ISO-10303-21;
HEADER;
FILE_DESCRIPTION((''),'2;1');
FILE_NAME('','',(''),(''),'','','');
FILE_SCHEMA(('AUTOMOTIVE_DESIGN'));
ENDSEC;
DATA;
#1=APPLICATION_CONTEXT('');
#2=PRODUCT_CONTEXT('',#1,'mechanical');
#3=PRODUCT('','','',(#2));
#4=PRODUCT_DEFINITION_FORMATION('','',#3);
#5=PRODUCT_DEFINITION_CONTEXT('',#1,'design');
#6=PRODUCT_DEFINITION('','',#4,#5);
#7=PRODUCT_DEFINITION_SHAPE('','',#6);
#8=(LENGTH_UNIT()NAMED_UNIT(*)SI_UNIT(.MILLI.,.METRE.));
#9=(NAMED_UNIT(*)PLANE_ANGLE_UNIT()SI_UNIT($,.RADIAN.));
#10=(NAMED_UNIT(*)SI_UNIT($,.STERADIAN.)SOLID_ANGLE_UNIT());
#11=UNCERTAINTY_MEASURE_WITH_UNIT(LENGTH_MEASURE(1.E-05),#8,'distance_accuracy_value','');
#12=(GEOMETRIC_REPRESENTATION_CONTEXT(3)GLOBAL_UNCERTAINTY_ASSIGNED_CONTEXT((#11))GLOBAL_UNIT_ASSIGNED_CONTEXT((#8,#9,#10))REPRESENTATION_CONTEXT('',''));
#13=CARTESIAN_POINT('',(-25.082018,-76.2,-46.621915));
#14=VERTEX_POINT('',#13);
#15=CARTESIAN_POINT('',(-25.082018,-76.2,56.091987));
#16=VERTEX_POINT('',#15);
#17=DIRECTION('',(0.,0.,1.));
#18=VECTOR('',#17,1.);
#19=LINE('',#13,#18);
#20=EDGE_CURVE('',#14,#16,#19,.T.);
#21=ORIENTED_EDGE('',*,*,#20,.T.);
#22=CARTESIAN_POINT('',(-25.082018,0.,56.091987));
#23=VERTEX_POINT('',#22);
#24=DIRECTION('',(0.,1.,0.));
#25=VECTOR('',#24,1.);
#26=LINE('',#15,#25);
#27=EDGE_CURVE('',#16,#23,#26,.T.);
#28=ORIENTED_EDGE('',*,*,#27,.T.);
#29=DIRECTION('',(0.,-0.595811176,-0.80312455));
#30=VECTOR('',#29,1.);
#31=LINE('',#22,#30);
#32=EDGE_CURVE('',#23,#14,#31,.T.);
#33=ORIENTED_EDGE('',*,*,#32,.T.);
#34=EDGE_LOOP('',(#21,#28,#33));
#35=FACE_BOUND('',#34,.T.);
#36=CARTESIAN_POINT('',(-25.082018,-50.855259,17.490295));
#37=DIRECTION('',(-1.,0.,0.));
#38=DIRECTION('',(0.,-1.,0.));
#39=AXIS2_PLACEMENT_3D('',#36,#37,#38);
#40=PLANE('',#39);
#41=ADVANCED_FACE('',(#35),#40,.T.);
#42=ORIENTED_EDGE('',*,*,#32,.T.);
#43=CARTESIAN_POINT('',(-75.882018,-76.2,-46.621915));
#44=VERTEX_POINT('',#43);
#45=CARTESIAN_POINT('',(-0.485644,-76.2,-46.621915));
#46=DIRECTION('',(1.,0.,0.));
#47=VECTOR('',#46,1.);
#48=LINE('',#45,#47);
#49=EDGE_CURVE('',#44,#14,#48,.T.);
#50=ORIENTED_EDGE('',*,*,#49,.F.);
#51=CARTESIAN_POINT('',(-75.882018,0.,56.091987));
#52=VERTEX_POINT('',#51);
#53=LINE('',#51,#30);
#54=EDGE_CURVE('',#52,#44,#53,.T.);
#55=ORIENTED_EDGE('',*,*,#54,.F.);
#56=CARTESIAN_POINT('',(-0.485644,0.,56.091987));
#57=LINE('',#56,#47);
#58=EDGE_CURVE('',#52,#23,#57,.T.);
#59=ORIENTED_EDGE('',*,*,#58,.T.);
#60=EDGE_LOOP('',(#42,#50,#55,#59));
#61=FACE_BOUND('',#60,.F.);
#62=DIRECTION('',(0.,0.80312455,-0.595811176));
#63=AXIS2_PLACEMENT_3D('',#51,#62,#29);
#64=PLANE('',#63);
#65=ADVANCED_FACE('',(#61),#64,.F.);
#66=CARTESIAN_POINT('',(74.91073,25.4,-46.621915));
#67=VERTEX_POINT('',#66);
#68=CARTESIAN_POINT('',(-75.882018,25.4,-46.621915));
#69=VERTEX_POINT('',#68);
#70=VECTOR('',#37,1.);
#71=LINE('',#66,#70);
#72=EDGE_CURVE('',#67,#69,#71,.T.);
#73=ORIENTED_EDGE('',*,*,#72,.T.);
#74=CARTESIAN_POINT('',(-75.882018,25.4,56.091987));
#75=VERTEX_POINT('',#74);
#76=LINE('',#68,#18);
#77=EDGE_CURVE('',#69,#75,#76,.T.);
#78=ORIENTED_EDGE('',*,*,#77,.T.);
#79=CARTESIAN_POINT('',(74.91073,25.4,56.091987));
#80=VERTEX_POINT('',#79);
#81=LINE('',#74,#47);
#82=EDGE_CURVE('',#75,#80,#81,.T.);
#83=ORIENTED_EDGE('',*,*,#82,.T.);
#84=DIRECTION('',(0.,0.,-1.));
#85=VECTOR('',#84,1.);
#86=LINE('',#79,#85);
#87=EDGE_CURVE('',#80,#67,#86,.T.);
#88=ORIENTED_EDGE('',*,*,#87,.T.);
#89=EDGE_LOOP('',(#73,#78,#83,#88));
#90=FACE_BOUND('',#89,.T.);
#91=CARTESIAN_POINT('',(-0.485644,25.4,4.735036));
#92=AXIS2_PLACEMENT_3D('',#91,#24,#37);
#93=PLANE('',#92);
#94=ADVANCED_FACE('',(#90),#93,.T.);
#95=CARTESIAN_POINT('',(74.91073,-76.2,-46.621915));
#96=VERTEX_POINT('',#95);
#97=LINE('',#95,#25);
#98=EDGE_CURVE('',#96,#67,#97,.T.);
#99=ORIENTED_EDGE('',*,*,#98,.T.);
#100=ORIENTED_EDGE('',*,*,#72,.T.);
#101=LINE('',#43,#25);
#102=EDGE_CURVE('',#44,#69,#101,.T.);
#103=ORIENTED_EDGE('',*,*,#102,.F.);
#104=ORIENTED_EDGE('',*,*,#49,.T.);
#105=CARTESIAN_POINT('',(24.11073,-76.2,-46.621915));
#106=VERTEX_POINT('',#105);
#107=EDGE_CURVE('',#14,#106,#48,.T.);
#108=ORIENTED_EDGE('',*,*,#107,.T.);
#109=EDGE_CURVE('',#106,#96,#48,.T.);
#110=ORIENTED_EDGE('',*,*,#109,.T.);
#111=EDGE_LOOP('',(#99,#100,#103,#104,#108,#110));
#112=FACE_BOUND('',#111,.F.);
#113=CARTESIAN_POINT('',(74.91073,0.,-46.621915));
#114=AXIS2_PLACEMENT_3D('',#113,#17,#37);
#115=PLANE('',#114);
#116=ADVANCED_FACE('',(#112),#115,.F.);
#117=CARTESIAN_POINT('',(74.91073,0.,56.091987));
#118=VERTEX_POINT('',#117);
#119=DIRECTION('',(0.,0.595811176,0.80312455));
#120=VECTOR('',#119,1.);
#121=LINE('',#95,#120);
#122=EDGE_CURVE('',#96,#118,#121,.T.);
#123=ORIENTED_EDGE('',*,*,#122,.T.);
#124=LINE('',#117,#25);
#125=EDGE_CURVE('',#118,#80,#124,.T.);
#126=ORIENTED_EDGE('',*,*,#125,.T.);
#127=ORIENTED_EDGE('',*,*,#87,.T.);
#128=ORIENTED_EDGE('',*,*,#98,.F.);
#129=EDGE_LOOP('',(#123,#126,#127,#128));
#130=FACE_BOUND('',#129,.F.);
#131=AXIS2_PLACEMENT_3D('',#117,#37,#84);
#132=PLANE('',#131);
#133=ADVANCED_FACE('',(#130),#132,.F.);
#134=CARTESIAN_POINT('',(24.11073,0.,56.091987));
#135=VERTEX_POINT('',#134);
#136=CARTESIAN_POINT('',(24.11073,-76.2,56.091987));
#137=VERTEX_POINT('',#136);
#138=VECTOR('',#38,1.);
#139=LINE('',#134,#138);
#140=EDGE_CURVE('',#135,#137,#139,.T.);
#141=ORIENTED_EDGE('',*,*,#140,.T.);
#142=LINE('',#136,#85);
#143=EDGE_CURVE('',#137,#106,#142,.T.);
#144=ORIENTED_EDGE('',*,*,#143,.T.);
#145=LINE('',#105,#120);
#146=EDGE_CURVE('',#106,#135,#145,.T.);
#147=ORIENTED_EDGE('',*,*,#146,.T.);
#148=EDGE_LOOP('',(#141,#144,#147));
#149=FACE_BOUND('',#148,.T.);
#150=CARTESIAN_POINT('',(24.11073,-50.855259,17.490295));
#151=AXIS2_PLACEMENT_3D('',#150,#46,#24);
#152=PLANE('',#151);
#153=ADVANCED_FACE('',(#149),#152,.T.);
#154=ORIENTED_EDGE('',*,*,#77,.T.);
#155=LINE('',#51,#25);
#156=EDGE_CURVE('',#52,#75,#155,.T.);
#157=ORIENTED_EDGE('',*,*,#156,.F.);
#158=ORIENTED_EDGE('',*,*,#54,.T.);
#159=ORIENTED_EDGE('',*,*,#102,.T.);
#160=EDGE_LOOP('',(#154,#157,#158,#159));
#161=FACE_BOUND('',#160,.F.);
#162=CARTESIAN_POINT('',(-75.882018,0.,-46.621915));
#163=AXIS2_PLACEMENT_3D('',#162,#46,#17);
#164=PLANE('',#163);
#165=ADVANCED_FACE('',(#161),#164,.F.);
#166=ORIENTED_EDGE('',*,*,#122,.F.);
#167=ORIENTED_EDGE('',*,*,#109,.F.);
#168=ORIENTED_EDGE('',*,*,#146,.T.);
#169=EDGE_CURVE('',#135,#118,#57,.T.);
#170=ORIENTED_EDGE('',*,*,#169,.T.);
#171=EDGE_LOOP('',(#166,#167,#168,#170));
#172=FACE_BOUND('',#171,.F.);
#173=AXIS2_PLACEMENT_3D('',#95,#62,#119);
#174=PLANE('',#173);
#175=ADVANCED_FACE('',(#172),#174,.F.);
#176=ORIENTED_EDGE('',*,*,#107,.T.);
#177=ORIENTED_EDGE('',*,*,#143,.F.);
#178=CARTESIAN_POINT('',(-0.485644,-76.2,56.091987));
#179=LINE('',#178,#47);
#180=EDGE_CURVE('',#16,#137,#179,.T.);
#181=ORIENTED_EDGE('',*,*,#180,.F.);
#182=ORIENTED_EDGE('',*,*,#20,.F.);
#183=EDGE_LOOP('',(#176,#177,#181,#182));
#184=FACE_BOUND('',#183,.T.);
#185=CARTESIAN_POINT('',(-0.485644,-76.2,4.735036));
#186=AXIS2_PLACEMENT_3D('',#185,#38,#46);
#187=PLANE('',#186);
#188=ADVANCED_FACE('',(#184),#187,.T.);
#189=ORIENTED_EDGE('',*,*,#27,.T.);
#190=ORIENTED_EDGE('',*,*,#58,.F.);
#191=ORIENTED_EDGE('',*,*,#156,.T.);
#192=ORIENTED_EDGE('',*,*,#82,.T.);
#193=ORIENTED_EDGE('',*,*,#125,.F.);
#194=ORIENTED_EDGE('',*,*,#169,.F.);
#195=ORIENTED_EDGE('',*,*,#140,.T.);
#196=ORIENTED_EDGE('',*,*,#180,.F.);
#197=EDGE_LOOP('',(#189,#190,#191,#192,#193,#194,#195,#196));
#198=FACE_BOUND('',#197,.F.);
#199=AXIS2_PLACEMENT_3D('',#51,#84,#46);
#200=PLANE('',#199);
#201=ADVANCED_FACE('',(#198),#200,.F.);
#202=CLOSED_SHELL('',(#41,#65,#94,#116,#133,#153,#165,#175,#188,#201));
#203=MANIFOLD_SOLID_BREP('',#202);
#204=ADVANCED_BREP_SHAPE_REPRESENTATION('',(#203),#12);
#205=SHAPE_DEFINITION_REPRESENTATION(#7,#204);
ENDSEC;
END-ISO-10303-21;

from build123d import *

# Parameters (mm, degrees)
F0_W     = 150.792748
F0_H     = 102.713902
F1_DEPTH = 76.2
F3_DEPTH = 50.8
F5_DEPTH = 50.8
F7_DEPTH = 25.4


with BuildPart() as f1:
    # F0 (on Front) → F1 (new body)
    with BuildSketch(Plane.XZ):
        with Locations((-0.485644, 4.735036)):
            Rectangle(F0_W, F0_H)
    extrude(amount=F1_DEPTH)

    # F2 (on face) → F3 (cut)
    with BuildSketch(Plane.YZ.offset(74.91073)):
        Polygon((-76.2, 56.091987), (-76.2, -46.621915), (0, 56.091987), align=None)
    extrude(amount=-F3_DEPTH, mode=Mode.SUBTRACT)

    # F4 (on face) → F5 (cut)
    with BuildSketch(Plane(origin=(-75.882018, 0, 0), x_dir=(0, -1, 0), z_dir=(-1, 0, 0))):
        Polygon((76.2, 56.091987), (0, 56.091987), (76.2, -46.621915), align=None)
    extrude(amount=-F5_DEPTH, mode=Mode.SUBTRACT)

    # F6 (on face) → F7 (join)
    with BuildSketch(Plane(origin=(0, 0, 0), x_dir=(-1, 0, 0), z_dir=(0, 1, 0))):
        Polygon((-24.11073, 56.091987), (-74.91073, 56.091987), (-74.91073, -46.621915), (75.882018, -46.621915), (75.882018, 56.091987), (25.082018, 56.091987), align=None)
    extrude(amount=F7_DEPTH)


solid = f1.part
